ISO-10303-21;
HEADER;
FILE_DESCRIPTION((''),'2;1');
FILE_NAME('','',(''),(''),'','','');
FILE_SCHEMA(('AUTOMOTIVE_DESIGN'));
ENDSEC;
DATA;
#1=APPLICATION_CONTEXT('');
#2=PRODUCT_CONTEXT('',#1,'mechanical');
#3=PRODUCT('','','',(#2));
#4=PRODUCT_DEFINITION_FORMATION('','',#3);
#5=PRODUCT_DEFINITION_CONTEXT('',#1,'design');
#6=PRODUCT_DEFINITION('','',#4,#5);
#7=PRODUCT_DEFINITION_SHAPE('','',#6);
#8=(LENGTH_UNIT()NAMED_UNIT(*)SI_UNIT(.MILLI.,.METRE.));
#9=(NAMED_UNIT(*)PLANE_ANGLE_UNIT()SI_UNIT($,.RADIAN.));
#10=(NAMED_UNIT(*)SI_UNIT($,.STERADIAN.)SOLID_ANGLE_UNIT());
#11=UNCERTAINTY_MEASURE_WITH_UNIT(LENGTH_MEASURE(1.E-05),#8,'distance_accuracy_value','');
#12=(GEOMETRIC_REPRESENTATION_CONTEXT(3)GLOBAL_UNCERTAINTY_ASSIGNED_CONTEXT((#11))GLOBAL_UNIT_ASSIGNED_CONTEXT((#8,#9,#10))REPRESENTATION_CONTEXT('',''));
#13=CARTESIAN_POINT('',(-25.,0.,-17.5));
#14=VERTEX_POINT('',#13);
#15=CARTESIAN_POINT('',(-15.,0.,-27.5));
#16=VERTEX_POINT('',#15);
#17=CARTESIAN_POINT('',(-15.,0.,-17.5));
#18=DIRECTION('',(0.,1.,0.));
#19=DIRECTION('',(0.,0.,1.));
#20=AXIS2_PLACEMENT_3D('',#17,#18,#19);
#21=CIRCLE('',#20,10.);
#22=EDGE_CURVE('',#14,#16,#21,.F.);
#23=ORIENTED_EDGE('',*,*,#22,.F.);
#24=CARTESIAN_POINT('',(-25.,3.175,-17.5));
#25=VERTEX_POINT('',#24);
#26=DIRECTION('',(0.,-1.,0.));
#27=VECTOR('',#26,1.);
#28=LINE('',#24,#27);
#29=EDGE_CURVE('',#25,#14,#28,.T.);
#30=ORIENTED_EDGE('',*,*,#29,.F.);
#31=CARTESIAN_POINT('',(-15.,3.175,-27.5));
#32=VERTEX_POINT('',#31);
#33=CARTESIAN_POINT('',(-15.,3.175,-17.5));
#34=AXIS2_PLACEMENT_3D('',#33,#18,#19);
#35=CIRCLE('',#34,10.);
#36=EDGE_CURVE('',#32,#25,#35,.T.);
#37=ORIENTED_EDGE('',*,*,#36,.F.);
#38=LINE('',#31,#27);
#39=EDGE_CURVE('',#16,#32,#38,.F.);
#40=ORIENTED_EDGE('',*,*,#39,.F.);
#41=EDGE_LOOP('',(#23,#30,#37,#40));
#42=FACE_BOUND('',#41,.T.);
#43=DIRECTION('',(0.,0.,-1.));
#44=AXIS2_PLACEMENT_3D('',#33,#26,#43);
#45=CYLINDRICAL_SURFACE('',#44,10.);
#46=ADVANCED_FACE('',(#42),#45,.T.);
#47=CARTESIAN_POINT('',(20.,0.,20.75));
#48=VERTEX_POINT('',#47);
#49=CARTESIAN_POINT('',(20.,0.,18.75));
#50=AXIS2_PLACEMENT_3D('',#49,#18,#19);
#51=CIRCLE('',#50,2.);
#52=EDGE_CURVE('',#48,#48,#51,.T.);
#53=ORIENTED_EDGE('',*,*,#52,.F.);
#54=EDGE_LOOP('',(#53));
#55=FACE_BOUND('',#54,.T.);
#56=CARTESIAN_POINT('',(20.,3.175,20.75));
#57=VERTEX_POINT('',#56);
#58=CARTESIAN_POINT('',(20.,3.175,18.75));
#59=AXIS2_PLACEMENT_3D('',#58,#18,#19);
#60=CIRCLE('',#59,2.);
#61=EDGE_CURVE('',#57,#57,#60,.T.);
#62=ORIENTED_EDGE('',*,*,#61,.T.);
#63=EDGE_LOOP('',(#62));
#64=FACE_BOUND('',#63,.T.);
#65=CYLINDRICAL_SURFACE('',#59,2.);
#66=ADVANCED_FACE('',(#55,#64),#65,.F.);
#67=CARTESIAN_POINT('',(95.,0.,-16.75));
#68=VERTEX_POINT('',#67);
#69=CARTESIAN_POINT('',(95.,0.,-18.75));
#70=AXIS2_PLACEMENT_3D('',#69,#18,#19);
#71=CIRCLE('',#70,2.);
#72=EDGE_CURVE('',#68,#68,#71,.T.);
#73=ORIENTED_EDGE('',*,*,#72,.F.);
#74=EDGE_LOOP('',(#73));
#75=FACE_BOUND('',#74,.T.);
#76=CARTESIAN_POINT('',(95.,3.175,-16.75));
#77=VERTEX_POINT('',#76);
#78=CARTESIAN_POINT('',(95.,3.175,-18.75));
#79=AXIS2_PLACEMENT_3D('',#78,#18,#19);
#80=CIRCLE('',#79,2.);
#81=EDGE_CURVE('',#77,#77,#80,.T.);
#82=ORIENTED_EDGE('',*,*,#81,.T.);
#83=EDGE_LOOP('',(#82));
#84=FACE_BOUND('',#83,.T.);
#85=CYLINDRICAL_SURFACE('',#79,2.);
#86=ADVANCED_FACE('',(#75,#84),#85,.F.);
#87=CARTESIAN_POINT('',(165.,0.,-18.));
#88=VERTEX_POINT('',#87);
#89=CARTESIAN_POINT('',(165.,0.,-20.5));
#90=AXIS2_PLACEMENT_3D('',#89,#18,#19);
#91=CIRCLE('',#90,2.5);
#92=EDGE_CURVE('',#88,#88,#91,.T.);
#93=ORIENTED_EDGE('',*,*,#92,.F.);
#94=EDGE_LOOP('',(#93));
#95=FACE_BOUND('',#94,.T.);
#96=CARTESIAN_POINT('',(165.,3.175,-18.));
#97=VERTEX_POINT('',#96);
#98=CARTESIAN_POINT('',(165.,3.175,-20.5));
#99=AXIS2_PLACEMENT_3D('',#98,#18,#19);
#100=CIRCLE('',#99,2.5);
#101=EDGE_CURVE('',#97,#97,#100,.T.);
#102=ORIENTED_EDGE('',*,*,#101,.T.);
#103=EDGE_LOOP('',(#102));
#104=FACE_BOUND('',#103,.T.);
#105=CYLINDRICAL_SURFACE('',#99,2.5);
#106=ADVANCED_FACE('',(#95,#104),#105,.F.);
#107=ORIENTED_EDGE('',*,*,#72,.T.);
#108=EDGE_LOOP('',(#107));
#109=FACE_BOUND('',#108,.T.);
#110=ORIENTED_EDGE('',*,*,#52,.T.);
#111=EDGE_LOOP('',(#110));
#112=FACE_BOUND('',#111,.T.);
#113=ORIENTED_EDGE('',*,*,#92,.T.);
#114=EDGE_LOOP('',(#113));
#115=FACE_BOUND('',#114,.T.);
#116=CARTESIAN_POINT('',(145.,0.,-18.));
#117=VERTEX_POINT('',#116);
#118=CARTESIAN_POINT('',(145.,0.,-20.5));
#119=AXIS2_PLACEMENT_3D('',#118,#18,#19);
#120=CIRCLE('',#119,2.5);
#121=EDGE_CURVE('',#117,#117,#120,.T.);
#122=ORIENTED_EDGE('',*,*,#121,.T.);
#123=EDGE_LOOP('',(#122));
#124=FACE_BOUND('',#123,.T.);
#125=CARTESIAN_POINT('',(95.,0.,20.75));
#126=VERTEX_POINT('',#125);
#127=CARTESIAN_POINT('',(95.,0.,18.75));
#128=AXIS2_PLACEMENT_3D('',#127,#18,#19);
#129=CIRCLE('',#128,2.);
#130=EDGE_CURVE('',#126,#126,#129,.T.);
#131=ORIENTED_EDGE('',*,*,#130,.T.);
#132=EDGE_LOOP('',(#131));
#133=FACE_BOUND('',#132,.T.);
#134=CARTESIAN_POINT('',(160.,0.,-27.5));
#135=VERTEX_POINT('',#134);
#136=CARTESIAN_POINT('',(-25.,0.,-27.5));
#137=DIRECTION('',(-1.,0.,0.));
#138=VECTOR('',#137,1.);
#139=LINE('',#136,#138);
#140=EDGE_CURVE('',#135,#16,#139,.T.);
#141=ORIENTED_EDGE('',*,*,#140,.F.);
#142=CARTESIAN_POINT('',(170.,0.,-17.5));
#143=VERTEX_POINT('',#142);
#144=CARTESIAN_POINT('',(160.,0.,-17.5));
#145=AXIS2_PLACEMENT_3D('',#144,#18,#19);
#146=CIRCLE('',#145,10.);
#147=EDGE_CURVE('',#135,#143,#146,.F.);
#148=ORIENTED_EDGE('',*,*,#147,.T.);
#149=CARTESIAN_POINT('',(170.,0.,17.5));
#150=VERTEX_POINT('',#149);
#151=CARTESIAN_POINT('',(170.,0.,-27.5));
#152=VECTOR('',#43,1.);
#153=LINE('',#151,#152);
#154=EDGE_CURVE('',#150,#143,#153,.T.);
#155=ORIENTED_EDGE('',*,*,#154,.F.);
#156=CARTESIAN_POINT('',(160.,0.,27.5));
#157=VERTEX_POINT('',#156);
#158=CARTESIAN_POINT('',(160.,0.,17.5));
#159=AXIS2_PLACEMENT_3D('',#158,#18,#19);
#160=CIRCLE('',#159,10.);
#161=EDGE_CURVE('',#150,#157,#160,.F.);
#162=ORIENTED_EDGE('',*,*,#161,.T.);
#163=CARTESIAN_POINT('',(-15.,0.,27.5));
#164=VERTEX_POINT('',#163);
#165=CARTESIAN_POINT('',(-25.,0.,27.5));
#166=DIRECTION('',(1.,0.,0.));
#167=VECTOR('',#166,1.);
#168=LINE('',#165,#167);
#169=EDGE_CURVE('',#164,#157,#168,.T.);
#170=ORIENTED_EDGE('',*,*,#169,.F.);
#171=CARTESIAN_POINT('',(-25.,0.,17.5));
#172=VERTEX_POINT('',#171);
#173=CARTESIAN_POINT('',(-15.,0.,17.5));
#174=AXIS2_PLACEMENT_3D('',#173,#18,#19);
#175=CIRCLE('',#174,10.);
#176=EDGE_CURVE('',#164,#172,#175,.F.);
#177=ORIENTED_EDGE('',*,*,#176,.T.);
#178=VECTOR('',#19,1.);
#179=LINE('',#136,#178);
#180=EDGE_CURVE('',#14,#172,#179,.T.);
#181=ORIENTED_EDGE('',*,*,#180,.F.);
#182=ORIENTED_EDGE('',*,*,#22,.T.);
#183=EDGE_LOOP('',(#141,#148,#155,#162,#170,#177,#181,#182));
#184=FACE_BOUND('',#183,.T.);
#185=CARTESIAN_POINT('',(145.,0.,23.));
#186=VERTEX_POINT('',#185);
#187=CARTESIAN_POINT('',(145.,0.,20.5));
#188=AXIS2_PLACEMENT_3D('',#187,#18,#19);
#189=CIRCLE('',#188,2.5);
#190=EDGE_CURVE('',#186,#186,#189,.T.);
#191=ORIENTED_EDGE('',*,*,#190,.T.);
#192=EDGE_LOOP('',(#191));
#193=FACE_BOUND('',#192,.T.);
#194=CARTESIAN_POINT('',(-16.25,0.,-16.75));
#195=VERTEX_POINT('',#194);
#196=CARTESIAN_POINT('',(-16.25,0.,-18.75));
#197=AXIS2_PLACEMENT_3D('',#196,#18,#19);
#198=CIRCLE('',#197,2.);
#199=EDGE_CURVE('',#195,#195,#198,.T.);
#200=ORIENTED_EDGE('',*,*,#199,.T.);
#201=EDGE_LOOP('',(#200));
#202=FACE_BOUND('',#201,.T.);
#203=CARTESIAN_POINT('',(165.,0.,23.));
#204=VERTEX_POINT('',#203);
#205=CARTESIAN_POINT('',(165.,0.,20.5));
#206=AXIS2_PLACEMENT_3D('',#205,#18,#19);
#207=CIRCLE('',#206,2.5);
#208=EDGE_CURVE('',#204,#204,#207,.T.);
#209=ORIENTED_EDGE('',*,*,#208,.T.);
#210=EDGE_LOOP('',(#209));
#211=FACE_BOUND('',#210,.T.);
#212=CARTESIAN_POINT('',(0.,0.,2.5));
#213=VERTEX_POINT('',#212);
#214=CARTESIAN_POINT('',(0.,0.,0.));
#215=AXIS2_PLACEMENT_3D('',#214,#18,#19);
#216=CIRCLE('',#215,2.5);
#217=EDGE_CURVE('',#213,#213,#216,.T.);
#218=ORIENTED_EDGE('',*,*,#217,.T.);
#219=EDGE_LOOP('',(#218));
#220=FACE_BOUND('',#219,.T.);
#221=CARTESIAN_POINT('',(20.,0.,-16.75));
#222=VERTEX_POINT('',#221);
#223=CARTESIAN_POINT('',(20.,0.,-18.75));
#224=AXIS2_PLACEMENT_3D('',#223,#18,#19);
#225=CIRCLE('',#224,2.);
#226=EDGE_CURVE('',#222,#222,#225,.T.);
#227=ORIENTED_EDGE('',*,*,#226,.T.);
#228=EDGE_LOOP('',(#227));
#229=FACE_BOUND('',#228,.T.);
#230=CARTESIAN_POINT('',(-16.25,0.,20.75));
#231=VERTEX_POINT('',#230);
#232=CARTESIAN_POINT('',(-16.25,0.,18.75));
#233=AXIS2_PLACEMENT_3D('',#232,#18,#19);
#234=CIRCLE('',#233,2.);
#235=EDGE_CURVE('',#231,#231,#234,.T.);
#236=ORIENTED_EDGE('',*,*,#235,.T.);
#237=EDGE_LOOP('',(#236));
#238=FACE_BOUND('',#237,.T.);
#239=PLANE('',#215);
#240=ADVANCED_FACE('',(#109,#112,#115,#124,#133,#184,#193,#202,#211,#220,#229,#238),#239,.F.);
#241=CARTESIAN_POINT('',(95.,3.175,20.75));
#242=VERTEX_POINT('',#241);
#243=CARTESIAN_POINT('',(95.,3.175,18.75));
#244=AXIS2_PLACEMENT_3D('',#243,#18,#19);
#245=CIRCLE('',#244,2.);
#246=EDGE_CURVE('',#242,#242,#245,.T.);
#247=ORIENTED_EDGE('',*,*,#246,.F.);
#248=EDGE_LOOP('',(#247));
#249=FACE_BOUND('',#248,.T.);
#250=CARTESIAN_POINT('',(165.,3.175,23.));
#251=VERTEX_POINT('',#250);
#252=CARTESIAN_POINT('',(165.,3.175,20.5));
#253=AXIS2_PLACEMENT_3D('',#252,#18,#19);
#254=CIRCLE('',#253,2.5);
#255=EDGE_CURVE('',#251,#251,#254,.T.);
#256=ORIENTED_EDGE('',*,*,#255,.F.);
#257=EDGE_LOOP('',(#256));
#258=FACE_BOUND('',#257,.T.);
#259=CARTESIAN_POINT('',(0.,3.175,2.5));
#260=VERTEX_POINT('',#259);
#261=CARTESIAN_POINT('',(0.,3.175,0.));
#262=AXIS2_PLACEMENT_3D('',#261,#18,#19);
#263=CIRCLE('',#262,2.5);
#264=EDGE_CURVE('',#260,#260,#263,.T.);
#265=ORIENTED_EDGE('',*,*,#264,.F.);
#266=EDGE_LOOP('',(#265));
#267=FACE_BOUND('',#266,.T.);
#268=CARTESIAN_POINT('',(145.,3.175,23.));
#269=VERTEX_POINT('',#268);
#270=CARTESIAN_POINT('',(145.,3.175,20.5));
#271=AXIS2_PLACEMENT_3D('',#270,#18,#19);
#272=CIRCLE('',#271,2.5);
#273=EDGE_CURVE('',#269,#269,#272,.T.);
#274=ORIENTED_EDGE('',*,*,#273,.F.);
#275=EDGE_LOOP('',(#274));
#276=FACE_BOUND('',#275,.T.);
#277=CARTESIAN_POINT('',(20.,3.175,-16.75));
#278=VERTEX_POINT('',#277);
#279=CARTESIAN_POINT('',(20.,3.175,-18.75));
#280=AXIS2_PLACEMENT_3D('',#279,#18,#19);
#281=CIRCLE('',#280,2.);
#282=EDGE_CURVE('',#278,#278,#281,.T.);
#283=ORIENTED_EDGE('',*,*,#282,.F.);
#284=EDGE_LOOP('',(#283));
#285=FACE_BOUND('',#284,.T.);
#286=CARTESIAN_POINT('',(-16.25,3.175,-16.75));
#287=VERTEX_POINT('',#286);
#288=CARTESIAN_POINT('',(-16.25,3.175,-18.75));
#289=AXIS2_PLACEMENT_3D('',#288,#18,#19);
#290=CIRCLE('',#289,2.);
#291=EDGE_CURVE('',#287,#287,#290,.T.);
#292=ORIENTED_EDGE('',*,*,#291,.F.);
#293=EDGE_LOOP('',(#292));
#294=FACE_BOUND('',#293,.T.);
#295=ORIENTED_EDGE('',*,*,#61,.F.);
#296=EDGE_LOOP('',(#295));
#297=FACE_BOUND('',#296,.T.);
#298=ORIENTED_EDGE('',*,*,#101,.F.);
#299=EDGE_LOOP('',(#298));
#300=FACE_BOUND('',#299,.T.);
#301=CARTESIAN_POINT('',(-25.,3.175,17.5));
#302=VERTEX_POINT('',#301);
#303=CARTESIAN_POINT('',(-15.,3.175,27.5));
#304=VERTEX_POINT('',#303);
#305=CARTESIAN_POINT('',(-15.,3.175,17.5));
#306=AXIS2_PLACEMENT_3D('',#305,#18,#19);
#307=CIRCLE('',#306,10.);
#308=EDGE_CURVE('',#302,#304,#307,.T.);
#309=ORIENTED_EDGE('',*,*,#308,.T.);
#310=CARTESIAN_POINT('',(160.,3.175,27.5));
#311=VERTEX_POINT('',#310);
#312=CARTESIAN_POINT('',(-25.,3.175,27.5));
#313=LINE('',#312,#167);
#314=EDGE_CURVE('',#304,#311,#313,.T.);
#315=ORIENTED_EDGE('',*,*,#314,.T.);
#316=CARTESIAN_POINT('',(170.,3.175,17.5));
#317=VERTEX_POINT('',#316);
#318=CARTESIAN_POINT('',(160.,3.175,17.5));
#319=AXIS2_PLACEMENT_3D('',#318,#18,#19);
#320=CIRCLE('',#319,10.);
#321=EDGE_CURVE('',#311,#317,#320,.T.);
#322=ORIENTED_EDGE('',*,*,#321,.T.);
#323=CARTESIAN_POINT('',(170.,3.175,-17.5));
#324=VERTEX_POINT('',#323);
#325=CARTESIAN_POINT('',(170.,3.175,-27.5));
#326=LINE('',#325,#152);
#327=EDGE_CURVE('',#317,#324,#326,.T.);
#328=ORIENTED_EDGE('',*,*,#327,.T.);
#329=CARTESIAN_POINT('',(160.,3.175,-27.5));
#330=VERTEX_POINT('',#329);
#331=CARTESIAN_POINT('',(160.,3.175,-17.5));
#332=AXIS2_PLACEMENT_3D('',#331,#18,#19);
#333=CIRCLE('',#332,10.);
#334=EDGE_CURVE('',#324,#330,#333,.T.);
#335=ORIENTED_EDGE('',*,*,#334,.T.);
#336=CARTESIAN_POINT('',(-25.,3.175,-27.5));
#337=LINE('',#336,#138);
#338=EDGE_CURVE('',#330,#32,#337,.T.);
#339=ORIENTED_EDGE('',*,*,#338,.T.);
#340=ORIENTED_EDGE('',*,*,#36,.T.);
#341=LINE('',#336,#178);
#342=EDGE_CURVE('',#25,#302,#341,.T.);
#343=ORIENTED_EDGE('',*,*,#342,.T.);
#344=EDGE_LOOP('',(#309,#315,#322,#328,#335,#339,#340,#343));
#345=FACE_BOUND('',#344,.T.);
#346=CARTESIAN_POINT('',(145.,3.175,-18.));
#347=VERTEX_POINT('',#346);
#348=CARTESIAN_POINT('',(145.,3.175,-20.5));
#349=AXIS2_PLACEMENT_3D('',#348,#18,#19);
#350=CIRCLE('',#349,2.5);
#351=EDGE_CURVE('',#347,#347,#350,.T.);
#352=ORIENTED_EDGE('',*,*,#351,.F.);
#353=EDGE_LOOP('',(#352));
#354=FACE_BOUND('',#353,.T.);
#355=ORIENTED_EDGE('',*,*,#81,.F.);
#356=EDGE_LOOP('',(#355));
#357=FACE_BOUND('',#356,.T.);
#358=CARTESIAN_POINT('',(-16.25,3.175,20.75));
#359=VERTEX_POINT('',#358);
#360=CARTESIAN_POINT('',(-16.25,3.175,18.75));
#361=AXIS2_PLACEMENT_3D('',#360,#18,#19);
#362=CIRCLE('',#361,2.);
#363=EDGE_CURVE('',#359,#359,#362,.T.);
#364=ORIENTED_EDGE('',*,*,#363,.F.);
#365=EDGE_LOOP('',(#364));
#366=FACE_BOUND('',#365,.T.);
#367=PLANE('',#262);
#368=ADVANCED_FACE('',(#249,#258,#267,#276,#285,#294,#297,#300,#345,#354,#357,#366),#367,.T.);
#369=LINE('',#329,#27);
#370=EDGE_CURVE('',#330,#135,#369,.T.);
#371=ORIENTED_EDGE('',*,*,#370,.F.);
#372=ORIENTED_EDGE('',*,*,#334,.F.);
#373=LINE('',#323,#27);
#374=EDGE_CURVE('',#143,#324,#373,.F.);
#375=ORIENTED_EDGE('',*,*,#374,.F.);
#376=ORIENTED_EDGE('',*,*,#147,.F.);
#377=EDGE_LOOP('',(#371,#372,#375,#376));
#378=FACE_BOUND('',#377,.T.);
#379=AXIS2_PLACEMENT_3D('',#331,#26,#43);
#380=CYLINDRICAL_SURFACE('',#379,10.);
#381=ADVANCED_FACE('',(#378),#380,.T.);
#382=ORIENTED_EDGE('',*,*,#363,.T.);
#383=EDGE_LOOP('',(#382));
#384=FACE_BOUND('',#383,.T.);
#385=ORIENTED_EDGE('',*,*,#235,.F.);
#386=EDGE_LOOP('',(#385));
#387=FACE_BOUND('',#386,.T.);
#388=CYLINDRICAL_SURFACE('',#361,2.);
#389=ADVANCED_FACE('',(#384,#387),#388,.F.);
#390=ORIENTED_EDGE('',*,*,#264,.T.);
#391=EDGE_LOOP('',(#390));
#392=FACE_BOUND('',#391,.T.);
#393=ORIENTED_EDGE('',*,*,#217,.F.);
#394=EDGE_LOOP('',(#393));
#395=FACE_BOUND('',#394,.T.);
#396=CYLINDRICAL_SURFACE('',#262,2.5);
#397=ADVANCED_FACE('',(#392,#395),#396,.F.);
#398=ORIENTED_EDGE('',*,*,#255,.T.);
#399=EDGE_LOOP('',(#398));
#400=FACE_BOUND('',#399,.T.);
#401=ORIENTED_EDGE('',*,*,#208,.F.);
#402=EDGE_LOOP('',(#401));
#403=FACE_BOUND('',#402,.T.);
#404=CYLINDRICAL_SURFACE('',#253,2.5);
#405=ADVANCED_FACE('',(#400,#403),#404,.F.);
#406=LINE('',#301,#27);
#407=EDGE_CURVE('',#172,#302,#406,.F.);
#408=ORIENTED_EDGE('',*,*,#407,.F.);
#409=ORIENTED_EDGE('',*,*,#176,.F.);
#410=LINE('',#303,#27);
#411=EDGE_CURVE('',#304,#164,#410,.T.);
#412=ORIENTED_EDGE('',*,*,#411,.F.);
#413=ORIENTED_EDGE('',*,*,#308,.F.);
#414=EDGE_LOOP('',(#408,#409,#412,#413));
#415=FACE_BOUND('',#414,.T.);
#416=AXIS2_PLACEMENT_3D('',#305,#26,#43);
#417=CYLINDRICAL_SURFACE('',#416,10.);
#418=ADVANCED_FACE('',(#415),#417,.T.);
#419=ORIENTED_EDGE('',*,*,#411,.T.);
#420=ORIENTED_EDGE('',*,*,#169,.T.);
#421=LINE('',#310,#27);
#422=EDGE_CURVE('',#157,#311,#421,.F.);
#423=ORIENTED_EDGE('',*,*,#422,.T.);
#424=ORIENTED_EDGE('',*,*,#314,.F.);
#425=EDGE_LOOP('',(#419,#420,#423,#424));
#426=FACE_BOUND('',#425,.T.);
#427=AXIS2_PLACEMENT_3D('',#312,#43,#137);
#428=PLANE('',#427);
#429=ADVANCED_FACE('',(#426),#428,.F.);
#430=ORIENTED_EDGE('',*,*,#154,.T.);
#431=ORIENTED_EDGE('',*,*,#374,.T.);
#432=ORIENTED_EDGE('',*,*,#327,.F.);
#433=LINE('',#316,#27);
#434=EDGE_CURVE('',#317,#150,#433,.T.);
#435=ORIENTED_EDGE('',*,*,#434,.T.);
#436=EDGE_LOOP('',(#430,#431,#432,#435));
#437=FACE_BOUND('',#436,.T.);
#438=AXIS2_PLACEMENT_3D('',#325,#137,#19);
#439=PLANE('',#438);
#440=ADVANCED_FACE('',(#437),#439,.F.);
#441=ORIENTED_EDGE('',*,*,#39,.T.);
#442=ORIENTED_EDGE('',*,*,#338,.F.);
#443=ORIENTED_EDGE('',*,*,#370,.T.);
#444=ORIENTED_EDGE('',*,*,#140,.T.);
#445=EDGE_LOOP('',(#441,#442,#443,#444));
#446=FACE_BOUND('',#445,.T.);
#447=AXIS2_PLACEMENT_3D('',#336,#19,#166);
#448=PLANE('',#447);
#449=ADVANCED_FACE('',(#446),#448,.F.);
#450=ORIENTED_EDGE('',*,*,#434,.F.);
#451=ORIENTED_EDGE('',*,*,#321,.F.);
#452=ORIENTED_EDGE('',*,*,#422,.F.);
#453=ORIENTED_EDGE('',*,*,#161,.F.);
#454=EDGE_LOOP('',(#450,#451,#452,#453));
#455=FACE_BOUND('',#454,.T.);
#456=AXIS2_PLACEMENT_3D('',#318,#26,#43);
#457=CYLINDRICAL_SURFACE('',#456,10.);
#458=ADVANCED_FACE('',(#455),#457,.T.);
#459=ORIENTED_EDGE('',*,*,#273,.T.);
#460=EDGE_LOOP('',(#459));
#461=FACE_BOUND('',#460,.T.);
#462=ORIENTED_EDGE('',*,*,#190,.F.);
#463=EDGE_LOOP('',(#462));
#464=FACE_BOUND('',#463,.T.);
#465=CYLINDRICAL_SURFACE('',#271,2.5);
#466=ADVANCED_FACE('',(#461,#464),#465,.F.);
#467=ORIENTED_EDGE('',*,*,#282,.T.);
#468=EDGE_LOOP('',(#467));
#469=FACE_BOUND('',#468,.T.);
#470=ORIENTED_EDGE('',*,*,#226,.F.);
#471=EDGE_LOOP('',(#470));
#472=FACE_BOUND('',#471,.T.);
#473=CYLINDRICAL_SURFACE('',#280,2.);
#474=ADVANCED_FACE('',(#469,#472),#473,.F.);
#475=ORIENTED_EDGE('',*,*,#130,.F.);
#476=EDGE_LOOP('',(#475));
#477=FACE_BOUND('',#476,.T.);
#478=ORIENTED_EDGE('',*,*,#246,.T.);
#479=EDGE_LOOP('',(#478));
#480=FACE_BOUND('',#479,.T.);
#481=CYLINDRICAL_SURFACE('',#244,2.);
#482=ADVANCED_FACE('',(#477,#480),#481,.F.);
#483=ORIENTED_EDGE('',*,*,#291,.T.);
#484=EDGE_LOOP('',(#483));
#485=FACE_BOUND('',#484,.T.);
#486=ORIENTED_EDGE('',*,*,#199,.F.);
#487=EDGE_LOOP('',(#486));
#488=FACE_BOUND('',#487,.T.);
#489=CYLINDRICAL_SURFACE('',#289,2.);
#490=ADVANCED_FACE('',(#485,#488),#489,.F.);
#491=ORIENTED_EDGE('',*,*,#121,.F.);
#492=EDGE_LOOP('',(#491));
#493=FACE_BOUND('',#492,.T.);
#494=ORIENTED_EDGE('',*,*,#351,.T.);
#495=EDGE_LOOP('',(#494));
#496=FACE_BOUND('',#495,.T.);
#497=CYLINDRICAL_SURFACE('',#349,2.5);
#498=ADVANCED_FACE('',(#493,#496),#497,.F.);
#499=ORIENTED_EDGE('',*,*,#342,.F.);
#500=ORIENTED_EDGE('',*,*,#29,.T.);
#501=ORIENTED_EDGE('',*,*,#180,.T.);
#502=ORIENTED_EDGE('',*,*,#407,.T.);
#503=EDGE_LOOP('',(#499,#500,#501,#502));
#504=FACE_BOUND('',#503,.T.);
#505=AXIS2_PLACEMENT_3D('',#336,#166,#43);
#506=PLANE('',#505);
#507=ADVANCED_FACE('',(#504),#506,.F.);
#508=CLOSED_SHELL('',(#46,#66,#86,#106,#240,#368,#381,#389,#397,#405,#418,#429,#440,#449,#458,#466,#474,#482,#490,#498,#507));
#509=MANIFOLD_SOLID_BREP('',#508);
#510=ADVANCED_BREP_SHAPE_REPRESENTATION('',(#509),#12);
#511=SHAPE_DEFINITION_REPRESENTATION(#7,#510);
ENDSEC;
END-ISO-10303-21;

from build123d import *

# Parameters (mm, degrees)
SKETCH1_W             = 195
SKETCH1_H             = 55
BOSS_EXTRUDE1_DEPTH   = 3.175
FILLET1_R             = 10
F_5_0MM_DOWEL_HOLE1_D = 5
F_4_0MM_DOWEL_HOLE1_D = 4
F_5_0MM_DOWEL_HOLE2_D = 5


with BuildPart() as part:
    # Sketch1 → Boss-Extrude1 (new body)
    with BuildSketch(Plane(origin=(0, 0, 0), x_dir=(1, 0, 0), z_dir=(0, 1, 0))):
        with Locations((72.5, 0)):
            Rectangle(SKETCH1_W, SKETCH1_H)
    extrude(amount=BOSS_EXTRUDE1_DEPTH)

    # Fillet1
    fillet1_edges = [part.edges().sort_by_distance(p)[0] for p in [
        (-25, 1.5875, -27.5),
        (170, 1.5875, -27.5),
        (170, 1.5875, 27.5),
        (-25, 1.5875, 27.5),
    ]]
    fillet(fillet1_edges, radius=FILLET1_R)

    # Ø5.0mm Dowel Hole1 (through all)
    with Locations(Plane(origin=(0, 3.175, 0), x_dir=(1, 0, 0), z_dir=(0, 1, 0))):
        with Locations((0, 0)):
            Hole(F_5_0MM_DOWEL_HOLE1_D / 2)

    # Ø4.0mm Dowel Hole1 (through all)
    with Locations(Plane(origin=(0, 3.175, 0), x_dir=(1, 0, 0), z_dir=(0, 1, 0))):
        with Locations((-16.25, -18.75), (20, -18.75), (95, -18.75), (95, 18.75), (20, 18.75), (-16.25, 18.75)):
            Hole(F_4_0MM_DOWEL_HOLE1_D / 2)

    # Ø5.0mm Dowel Hole2 (through all)
    with Locations(Plane(origin=(0, 3.175, 0), x_dir=(1, 0, 0), z_dir=(0, 1, 0))):
        with Locations((165, 20.5), (145, 20.5), (165, -20.5), (145, -20.5)):
            Hole(F_5_0MM_DOWEL_HOLE2_D / 2)


solid = part.part
